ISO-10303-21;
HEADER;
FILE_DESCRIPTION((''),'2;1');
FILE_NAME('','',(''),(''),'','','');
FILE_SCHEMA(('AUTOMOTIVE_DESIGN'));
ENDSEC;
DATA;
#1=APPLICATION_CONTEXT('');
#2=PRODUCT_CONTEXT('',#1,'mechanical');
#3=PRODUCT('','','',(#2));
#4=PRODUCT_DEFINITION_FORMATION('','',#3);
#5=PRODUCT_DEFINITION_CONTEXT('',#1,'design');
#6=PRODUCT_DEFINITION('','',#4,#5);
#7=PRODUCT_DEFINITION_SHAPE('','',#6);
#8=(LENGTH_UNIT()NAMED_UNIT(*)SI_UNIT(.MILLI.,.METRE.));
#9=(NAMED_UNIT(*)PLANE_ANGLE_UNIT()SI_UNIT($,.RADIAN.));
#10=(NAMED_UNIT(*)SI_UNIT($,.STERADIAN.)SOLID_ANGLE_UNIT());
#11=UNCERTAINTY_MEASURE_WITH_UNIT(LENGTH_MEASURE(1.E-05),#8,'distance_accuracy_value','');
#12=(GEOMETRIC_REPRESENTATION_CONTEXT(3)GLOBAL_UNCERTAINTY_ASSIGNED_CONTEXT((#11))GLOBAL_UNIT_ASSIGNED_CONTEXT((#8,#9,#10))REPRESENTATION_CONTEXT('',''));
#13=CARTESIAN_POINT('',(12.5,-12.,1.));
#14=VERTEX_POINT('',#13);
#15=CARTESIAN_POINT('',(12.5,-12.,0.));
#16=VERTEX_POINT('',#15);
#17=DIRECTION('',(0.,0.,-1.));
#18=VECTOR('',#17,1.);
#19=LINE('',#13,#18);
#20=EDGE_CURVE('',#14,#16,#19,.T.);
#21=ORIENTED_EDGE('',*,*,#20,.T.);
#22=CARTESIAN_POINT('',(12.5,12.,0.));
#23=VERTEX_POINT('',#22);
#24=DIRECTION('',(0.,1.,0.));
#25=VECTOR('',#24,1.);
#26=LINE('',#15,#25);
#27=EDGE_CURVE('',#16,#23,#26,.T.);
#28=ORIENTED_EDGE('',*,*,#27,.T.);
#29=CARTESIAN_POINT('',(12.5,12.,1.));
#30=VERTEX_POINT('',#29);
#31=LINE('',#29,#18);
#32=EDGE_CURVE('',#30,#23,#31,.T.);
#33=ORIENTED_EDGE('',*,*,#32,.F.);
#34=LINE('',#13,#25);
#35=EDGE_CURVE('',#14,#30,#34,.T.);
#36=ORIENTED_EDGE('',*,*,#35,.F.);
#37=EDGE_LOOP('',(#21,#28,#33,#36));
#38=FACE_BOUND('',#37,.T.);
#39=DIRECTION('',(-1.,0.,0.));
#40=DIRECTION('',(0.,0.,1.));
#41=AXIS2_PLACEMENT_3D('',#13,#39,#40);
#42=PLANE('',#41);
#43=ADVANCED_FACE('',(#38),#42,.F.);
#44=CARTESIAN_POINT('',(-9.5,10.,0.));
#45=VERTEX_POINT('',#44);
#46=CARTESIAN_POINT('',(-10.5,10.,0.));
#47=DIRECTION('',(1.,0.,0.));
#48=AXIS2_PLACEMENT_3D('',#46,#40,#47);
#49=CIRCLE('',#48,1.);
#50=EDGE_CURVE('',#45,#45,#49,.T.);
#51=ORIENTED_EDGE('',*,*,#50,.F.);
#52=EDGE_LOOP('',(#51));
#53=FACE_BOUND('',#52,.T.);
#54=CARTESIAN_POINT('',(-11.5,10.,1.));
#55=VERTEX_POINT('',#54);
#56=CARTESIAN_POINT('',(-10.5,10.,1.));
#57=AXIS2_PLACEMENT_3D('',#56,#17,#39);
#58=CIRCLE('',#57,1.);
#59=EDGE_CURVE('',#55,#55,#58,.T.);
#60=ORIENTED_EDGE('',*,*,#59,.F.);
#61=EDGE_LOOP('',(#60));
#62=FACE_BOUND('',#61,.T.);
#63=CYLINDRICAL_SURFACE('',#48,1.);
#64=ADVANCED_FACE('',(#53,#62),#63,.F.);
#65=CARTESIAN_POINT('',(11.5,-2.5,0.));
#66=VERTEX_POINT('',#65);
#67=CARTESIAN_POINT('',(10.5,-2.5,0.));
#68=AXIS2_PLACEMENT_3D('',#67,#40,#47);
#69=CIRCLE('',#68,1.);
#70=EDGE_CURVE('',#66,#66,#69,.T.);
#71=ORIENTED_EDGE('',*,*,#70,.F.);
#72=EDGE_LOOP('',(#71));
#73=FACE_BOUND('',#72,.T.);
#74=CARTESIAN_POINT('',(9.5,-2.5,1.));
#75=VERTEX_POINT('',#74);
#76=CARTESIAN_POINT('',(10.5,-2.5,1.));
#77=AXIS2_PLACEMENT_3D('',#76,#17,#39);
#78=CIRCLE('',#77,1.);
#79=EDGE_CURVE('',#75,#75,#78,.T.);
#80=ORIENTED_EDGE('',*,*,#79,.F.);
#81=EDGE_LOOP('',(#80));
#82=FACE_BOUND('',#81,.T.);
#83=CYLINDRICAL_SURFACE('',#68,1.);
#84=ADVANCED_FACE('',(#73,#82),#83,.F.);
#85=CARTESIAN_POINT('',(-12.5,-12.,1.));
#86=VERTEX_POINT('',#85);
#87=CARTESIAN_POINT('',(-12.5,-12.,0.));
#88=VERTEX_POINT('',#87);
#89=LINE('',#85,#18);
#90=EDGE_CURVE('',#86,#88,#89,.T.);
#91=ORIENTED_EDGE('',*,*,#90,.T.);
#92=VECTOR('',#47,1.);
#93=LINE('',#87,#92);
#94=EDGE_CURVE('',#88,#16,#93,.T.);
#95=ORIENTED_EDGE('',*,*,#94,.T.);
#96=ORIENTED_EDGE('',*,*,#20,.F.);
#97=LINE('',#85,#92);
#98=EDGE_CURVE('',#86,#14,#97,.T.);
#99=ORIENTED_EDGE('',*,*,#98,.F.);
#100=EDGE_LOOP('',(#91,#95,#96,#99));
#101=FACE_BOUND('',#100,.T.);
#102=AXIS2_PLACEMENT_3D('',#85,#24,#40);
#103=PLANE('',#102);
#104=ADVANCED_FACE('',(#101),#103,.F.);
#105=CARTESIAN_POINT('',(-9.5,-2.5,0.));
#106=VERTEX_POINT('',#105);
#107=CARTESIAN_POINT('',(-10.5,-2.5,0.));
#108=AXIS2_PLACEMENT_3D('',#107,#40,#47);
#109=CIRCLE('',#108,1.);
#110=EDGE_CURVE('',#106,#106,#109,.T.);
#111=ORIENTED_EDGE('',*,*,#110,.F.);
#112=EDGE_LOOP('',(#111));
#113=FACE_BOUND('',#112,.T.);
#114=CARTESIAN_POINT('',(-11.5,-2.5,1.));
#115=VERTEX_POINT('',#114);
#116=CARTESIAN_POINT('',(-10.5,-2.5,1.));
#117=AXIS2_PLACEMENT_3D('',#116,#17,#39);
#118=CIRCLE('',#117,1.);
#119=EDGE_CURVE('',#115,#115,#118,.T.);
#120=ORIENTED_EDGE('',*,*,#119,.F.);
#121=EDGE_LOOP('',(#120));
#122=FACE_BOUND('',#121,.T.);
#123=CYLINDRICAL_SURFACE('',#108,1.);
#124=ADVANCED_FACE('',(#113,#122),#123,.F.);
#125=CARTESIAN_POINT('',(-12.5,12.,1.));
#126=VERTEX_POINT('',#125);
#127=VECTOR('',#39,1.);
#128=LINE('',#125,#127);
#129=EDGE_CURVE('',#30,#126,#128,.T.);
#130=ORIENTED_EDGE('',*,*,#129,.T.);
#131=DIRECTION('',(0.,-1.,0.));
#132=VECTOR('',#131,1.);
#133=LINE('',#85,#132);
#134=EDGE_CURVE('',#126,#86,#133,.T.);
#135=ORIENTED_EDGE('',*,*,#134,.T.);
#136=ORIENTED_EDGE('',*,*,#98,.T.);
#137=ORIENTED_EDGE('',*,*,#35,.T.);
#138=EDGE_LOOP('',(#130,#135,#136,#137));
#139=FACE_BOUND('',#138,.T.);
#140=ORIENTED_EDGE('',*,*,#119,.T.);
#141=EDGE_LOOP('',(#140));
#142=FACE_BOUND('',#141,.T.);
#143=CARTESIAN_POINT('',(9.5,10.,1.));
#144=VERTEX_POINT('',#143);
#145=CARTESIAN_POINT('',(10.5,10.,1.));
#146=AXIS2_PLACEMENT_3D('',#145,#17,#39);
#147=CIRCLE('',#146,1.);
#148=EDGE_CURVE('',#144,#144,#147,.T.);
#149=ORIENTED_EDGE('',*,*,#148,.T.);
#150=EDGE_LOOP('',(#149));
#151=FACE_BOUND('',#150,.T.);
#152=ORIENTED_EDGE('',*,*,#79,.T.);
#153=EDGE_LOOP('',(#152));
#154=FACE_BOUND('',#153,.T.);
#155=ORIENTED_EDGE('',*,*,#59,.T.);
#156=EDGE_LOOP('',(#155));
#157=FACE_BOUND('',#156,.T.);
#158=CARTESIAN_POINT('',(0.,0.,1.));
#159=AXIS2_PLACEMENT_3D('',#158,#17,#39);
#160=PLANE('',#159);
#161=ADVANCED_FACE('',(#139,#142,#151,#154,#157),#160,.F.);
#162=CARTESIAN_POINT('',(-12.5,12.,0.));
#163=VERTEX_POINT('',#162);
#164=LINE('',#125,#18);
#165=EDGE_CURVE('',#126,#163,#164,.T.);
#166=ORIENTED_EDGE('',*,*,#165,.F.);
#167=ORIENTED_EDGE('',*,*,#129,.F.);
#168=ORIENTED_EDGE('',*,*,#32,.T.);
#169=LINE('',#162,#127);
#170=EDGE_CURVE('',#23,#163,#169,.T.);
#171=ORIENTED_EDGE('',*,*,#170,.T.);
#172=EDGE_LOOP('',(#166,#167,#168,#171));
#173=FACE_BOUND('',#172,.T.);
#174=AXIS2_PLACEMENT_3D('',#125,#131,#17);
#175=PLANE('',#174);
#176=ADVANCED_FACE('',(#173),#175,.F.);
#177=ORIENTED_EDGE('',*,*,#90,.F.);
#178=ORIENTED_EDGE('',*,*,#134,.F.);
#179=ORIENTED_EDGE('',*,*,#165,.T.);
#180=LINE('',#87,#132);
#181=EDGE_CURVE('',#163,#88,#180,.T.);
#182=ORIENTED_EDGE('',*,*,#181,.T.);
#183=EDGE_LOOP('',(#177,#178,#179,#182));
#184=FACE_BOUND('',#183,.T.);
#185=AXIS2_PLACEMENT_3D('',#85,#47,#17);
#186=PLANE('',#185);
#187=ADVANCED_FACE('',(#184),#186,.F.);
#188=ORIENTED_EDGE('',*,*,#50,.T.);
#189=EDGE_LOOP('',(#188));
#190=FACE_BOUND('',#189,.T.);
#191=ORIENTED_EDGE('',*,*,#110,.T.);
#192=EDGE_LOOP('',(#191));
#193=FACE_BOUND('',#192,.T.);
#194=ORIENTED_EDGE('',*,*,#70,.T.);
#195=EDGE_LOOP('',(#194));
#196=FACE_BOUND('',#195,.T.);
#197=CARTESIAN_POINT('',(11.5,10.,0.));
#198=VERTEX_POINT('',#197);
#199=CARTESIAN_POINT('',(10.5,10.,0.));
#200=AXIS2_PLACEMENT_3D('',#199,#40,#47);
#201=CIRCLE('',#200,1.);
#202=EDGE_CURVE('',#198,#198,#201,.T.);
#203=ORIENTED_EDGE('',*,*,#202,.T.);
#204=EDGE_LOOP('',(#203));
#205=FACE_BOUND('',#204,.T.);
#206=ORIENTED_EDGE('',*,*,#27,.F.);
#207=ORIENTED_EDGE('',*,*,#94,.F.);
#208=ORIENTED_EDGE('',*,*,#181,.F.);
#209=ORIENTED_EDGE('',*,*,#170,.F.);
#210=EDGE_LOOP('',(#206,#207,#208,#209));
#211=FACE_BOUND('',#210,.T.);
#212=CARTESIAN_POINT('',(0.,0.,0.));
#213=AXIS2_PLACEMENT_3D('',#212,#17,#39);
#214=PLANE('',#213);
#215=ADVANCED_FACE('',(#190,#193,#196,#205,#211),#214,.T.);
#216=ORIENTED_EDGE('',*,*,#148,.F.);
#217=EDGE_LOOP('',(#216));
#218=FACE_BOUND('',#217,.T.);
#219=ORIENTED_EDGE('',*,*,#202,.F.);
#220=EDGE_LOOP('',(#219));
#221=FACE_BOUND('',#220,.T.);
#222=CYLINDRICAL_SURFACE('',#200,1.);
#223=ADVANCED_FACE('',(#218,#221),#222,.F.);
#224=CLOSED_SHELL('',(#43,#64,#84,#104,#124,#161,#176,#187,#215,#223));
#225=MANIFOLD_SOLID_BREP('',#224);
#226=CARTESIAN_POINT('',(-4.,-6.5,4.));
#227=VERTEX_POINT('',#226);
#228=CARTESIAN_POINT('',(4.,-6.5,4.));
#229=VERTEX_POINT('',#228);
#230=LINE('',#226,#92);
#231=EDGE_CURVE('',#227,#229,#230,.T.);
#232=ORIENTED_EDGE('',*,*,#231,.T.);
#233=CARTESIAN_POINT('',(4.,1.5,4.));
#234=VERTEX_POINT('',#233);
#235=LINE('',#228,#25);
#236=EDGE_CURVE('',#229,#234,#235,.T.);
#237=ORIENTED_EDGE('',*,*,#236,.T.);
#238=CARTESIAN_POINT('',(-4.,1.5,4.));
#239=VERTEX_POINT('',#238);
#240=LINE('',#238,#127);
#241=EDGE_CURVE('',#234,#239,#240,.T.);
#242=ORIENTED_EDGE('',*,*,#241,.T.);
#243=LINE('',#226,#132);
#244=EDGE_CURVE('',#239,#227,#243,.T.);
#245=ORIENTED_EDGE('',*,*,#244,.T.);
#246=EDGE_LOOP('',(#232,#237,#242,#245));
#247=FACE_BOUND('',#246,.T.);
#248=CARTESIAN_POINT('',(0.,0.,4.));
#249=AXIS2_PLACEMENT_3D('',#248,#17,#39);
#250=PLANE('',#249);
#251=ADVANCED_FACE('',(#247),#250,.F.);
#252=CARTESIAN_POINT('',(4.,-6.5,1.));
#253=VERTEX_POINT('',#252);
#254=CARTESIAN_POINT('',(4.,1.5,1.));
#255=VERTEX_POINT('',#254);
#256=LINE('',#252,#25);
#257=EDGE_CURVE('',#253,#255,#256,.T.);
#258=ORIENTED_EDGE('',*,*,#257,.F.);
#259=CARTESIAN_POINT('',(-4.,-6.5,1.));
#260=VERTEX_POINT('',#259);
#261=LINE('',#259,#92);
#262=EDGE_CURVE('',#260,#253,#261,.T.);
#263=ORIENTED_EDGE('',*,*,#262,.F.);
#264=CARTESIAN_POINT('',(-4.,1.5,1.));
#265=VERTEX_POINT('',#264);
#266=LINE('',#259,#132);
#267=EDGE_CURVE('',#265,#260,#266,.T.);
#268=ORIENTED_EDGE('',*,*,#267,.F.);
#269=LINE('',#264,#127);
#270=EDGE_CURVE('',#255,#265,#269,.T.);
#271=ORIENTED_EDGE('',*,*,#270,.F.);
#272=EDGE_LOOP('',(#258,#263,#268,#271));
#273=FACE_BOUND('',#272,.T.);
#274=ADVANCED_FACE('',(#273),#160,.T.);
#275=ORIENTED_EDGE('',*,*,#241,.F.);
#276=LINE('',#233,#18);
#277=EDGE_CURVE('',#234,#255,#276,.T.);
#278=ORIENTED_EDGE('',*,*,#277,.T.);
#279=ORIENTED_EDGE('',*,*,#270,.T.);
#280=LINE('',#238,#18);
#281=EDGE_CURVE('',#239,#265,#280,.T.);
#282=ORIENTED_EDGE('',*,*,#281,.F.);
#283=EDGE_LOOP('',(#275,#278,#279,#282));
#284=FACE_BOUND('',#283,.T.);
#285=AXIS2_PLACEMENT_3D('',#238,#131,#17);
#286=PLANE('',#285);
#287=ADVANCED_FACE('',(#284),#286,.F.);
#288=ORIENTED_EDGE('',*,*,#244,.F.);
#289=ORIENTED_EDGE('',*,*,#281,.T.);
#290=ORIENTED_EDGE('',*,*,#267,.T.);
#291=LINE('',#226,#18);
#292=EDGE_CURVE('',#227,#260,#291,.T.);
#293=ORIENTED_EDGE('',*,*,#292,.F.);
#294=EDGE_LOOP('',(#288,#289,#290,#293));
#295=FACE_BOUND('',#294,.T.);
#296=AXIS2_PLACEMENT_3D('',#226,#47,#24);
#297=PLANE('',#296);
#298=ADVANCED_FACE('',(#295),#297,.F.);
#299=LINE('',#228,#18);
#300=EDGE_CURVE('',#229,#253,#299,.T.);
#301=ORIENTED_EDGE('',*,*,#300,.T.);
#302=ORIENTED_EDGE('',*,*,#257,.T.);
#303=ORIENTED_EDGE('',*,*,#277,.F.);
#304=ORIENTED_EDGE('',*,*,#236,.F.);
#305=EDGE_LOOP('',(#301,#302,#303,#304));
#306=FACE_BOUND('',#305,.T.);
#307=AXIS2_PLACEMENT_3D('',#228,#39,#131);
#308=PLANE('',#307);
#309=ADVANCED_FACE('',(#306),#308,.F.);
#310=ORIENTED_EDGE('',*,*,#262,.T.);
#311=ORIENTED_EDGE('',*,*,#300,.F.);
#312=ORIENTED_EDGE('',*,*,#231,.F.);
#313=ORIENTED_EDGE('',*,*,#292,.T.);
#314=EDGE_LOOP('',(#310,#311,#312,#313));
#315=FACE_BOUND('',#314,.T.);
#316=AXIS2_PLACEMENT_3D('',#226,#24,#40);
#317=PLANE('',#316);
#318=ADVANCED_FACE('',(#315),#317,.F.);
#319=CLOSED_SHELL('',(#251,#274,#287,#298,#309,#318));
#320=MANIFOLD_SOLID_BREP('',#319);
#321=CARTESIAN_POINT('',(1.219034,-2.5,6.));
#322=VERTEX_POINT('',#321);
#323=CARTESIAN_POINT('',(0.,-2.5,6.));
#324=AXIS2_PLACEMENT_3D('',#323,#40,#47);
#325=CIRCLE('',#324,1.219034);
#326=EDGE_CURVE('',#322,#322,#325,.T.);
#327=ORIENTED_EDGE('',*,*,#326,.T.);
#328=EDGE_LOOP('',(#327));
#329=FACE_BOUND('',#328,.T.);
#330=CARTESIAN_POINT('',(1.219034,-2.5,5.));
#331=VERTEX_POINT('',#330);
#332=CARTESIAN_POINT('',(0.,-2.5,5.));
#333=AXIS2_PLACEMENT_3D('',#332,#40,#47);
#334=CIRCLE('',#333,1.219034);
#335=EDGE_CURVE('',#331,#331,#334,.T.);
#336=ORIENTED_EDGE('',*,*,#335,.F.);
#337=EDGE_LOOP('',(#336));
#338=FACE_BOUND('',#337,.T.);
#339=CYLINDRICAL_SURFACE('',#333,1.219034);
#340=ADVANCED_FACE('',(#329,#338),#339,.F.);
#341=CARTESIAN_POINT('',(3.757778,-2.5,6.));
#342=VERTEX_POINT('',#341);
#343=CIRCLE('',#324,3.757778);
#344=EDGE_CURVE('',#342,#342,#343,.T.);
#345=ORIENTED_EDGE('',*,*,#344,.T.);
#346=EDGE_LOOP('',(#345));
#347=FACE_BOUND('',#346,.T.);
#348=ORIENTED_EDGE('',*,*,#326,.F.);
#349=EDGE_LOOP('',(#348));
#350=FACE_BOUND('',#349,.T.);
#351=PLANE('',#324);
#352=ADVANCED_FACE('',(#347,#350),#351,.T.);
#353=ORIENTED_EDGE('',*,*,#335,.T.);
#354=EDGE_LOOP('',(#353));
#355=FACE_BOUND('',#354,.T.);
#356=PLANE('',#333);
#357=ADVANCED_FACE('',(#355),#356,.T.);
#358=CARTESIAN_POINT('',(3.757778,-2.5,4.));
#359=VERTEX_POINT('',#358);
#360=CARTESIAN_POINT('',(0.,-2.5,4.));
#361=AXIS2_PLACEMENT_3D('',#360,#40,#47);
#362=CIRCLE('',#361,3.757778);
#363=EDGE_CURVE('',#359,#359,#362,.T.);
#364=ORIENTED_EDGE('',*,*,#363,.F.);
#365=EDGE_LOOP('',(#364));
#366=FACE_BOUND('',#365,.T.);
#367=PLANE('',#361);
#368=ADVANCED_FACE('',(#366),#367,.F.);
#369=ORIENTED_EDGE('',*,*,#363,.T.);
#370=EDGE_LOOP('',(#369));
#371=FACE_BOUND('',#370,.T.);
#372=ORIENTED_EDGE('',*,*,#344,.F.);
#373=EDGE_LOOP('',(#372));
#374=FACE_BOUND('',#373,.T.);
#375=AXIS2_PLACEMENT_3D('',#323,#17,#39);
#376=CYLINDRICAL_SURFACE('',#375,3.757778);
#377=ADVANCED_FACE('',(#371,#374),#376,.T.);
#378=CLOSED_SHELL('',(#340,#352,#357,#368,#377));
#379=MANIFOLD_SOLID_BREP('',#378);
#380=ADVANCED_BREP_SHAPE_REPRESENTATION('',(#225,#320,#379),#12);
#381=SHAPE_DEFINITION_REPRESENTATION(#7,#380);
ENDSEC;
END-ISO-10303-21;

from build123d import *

# Parameters (mm, degrees)
SKETCH1_W               = 25
SKETCH1_H               = 24
BOSS_EXTRUDE1_DEPTH     = 1
SKETCH2_W               = 8
SKETCH2_H               = 8
BOSS_EXTRUDE2_DEPTH     = 3
SKETCH3_R               = 3.757777991
BOSS_EXTRUDE3_DEPTH     = 2
SKETCH4_R               = 1.219033686
CUT_EXTRUDE1_DEPTH      = 1
SKETCH5_R               = 1
CUT_EXTRUDE2_DEPTH      = 6
CUT_EXTRUDE2_DEPTH_BACK = 2


with BuildPart() as part:
    # Sketch1 → Boss-Extrude1 (new body)
    with BuildSketch(Plane.XY):
        Rectangle(SKETCH1_W, SKETCH1_H)
    extrude(amount=BOSS_EXTRUDE1_DEPTH)

    # Sketch5 → Cut-Extrude2 (cut, two sides)
    with BuildSketch(Plane.XY.offset(1)) as cut_extrude2_sk:
        with Locations((-10.5, -2.5)):
            Circle(SKETCH5_R)
        with Locations((-10.5, 10)):
            Circle(SKETCH5_R)
        with Locations((10.5, 10)):
            Circle(SKETCH5_R)
        with Locations((10.5, -2.5)):
            Circle(SKETCH5_R)
    extrude(amount=CUT_EXTRUDE2_DEPTH, mode=Mode.SUBTRACT)
    extrude(cut_extrude2_sk.sketch, amount=-CUT_EXTRUDE2_DEPTH_BACK, mode=Mode.SUBTRACT)


with BuildPart() as body_2:
    # Sketch2 → Boss-Extrude2 (new body)
    with BuildSketch(Plane.XY.offset(1)):
        with Locations((0, -2.5)):
            Rectangle(SKETCH2_W, SKETCH2_H)
    extrude(amount=BOSS_EXTRUDE2_DEPTH)


with BuildPart() as body_3:
    # Sketch3 → Boss-Extrude3 (new body)
    with BuildSketch(Plane.XY.offset(4)):
        with Locations((0, -2.5)):
            Circle(SKETCH3_R)
    extrude(amount=BOSS_EXTRUDE3_DEPTH)

    # Sketch4 → Cut-Extrude1 (cut)
    with BuildSketch(Plane.XY.offset(6)):
        with Locations((0, -2.5)):
            Circle(SKETCH4_R)
    extrude(amount=-CUT_EXTRUDE1_DEPTH, mode=Mode.SUBTRACT)


solid = Compound([part.part, body_2.part, body_3.part])
